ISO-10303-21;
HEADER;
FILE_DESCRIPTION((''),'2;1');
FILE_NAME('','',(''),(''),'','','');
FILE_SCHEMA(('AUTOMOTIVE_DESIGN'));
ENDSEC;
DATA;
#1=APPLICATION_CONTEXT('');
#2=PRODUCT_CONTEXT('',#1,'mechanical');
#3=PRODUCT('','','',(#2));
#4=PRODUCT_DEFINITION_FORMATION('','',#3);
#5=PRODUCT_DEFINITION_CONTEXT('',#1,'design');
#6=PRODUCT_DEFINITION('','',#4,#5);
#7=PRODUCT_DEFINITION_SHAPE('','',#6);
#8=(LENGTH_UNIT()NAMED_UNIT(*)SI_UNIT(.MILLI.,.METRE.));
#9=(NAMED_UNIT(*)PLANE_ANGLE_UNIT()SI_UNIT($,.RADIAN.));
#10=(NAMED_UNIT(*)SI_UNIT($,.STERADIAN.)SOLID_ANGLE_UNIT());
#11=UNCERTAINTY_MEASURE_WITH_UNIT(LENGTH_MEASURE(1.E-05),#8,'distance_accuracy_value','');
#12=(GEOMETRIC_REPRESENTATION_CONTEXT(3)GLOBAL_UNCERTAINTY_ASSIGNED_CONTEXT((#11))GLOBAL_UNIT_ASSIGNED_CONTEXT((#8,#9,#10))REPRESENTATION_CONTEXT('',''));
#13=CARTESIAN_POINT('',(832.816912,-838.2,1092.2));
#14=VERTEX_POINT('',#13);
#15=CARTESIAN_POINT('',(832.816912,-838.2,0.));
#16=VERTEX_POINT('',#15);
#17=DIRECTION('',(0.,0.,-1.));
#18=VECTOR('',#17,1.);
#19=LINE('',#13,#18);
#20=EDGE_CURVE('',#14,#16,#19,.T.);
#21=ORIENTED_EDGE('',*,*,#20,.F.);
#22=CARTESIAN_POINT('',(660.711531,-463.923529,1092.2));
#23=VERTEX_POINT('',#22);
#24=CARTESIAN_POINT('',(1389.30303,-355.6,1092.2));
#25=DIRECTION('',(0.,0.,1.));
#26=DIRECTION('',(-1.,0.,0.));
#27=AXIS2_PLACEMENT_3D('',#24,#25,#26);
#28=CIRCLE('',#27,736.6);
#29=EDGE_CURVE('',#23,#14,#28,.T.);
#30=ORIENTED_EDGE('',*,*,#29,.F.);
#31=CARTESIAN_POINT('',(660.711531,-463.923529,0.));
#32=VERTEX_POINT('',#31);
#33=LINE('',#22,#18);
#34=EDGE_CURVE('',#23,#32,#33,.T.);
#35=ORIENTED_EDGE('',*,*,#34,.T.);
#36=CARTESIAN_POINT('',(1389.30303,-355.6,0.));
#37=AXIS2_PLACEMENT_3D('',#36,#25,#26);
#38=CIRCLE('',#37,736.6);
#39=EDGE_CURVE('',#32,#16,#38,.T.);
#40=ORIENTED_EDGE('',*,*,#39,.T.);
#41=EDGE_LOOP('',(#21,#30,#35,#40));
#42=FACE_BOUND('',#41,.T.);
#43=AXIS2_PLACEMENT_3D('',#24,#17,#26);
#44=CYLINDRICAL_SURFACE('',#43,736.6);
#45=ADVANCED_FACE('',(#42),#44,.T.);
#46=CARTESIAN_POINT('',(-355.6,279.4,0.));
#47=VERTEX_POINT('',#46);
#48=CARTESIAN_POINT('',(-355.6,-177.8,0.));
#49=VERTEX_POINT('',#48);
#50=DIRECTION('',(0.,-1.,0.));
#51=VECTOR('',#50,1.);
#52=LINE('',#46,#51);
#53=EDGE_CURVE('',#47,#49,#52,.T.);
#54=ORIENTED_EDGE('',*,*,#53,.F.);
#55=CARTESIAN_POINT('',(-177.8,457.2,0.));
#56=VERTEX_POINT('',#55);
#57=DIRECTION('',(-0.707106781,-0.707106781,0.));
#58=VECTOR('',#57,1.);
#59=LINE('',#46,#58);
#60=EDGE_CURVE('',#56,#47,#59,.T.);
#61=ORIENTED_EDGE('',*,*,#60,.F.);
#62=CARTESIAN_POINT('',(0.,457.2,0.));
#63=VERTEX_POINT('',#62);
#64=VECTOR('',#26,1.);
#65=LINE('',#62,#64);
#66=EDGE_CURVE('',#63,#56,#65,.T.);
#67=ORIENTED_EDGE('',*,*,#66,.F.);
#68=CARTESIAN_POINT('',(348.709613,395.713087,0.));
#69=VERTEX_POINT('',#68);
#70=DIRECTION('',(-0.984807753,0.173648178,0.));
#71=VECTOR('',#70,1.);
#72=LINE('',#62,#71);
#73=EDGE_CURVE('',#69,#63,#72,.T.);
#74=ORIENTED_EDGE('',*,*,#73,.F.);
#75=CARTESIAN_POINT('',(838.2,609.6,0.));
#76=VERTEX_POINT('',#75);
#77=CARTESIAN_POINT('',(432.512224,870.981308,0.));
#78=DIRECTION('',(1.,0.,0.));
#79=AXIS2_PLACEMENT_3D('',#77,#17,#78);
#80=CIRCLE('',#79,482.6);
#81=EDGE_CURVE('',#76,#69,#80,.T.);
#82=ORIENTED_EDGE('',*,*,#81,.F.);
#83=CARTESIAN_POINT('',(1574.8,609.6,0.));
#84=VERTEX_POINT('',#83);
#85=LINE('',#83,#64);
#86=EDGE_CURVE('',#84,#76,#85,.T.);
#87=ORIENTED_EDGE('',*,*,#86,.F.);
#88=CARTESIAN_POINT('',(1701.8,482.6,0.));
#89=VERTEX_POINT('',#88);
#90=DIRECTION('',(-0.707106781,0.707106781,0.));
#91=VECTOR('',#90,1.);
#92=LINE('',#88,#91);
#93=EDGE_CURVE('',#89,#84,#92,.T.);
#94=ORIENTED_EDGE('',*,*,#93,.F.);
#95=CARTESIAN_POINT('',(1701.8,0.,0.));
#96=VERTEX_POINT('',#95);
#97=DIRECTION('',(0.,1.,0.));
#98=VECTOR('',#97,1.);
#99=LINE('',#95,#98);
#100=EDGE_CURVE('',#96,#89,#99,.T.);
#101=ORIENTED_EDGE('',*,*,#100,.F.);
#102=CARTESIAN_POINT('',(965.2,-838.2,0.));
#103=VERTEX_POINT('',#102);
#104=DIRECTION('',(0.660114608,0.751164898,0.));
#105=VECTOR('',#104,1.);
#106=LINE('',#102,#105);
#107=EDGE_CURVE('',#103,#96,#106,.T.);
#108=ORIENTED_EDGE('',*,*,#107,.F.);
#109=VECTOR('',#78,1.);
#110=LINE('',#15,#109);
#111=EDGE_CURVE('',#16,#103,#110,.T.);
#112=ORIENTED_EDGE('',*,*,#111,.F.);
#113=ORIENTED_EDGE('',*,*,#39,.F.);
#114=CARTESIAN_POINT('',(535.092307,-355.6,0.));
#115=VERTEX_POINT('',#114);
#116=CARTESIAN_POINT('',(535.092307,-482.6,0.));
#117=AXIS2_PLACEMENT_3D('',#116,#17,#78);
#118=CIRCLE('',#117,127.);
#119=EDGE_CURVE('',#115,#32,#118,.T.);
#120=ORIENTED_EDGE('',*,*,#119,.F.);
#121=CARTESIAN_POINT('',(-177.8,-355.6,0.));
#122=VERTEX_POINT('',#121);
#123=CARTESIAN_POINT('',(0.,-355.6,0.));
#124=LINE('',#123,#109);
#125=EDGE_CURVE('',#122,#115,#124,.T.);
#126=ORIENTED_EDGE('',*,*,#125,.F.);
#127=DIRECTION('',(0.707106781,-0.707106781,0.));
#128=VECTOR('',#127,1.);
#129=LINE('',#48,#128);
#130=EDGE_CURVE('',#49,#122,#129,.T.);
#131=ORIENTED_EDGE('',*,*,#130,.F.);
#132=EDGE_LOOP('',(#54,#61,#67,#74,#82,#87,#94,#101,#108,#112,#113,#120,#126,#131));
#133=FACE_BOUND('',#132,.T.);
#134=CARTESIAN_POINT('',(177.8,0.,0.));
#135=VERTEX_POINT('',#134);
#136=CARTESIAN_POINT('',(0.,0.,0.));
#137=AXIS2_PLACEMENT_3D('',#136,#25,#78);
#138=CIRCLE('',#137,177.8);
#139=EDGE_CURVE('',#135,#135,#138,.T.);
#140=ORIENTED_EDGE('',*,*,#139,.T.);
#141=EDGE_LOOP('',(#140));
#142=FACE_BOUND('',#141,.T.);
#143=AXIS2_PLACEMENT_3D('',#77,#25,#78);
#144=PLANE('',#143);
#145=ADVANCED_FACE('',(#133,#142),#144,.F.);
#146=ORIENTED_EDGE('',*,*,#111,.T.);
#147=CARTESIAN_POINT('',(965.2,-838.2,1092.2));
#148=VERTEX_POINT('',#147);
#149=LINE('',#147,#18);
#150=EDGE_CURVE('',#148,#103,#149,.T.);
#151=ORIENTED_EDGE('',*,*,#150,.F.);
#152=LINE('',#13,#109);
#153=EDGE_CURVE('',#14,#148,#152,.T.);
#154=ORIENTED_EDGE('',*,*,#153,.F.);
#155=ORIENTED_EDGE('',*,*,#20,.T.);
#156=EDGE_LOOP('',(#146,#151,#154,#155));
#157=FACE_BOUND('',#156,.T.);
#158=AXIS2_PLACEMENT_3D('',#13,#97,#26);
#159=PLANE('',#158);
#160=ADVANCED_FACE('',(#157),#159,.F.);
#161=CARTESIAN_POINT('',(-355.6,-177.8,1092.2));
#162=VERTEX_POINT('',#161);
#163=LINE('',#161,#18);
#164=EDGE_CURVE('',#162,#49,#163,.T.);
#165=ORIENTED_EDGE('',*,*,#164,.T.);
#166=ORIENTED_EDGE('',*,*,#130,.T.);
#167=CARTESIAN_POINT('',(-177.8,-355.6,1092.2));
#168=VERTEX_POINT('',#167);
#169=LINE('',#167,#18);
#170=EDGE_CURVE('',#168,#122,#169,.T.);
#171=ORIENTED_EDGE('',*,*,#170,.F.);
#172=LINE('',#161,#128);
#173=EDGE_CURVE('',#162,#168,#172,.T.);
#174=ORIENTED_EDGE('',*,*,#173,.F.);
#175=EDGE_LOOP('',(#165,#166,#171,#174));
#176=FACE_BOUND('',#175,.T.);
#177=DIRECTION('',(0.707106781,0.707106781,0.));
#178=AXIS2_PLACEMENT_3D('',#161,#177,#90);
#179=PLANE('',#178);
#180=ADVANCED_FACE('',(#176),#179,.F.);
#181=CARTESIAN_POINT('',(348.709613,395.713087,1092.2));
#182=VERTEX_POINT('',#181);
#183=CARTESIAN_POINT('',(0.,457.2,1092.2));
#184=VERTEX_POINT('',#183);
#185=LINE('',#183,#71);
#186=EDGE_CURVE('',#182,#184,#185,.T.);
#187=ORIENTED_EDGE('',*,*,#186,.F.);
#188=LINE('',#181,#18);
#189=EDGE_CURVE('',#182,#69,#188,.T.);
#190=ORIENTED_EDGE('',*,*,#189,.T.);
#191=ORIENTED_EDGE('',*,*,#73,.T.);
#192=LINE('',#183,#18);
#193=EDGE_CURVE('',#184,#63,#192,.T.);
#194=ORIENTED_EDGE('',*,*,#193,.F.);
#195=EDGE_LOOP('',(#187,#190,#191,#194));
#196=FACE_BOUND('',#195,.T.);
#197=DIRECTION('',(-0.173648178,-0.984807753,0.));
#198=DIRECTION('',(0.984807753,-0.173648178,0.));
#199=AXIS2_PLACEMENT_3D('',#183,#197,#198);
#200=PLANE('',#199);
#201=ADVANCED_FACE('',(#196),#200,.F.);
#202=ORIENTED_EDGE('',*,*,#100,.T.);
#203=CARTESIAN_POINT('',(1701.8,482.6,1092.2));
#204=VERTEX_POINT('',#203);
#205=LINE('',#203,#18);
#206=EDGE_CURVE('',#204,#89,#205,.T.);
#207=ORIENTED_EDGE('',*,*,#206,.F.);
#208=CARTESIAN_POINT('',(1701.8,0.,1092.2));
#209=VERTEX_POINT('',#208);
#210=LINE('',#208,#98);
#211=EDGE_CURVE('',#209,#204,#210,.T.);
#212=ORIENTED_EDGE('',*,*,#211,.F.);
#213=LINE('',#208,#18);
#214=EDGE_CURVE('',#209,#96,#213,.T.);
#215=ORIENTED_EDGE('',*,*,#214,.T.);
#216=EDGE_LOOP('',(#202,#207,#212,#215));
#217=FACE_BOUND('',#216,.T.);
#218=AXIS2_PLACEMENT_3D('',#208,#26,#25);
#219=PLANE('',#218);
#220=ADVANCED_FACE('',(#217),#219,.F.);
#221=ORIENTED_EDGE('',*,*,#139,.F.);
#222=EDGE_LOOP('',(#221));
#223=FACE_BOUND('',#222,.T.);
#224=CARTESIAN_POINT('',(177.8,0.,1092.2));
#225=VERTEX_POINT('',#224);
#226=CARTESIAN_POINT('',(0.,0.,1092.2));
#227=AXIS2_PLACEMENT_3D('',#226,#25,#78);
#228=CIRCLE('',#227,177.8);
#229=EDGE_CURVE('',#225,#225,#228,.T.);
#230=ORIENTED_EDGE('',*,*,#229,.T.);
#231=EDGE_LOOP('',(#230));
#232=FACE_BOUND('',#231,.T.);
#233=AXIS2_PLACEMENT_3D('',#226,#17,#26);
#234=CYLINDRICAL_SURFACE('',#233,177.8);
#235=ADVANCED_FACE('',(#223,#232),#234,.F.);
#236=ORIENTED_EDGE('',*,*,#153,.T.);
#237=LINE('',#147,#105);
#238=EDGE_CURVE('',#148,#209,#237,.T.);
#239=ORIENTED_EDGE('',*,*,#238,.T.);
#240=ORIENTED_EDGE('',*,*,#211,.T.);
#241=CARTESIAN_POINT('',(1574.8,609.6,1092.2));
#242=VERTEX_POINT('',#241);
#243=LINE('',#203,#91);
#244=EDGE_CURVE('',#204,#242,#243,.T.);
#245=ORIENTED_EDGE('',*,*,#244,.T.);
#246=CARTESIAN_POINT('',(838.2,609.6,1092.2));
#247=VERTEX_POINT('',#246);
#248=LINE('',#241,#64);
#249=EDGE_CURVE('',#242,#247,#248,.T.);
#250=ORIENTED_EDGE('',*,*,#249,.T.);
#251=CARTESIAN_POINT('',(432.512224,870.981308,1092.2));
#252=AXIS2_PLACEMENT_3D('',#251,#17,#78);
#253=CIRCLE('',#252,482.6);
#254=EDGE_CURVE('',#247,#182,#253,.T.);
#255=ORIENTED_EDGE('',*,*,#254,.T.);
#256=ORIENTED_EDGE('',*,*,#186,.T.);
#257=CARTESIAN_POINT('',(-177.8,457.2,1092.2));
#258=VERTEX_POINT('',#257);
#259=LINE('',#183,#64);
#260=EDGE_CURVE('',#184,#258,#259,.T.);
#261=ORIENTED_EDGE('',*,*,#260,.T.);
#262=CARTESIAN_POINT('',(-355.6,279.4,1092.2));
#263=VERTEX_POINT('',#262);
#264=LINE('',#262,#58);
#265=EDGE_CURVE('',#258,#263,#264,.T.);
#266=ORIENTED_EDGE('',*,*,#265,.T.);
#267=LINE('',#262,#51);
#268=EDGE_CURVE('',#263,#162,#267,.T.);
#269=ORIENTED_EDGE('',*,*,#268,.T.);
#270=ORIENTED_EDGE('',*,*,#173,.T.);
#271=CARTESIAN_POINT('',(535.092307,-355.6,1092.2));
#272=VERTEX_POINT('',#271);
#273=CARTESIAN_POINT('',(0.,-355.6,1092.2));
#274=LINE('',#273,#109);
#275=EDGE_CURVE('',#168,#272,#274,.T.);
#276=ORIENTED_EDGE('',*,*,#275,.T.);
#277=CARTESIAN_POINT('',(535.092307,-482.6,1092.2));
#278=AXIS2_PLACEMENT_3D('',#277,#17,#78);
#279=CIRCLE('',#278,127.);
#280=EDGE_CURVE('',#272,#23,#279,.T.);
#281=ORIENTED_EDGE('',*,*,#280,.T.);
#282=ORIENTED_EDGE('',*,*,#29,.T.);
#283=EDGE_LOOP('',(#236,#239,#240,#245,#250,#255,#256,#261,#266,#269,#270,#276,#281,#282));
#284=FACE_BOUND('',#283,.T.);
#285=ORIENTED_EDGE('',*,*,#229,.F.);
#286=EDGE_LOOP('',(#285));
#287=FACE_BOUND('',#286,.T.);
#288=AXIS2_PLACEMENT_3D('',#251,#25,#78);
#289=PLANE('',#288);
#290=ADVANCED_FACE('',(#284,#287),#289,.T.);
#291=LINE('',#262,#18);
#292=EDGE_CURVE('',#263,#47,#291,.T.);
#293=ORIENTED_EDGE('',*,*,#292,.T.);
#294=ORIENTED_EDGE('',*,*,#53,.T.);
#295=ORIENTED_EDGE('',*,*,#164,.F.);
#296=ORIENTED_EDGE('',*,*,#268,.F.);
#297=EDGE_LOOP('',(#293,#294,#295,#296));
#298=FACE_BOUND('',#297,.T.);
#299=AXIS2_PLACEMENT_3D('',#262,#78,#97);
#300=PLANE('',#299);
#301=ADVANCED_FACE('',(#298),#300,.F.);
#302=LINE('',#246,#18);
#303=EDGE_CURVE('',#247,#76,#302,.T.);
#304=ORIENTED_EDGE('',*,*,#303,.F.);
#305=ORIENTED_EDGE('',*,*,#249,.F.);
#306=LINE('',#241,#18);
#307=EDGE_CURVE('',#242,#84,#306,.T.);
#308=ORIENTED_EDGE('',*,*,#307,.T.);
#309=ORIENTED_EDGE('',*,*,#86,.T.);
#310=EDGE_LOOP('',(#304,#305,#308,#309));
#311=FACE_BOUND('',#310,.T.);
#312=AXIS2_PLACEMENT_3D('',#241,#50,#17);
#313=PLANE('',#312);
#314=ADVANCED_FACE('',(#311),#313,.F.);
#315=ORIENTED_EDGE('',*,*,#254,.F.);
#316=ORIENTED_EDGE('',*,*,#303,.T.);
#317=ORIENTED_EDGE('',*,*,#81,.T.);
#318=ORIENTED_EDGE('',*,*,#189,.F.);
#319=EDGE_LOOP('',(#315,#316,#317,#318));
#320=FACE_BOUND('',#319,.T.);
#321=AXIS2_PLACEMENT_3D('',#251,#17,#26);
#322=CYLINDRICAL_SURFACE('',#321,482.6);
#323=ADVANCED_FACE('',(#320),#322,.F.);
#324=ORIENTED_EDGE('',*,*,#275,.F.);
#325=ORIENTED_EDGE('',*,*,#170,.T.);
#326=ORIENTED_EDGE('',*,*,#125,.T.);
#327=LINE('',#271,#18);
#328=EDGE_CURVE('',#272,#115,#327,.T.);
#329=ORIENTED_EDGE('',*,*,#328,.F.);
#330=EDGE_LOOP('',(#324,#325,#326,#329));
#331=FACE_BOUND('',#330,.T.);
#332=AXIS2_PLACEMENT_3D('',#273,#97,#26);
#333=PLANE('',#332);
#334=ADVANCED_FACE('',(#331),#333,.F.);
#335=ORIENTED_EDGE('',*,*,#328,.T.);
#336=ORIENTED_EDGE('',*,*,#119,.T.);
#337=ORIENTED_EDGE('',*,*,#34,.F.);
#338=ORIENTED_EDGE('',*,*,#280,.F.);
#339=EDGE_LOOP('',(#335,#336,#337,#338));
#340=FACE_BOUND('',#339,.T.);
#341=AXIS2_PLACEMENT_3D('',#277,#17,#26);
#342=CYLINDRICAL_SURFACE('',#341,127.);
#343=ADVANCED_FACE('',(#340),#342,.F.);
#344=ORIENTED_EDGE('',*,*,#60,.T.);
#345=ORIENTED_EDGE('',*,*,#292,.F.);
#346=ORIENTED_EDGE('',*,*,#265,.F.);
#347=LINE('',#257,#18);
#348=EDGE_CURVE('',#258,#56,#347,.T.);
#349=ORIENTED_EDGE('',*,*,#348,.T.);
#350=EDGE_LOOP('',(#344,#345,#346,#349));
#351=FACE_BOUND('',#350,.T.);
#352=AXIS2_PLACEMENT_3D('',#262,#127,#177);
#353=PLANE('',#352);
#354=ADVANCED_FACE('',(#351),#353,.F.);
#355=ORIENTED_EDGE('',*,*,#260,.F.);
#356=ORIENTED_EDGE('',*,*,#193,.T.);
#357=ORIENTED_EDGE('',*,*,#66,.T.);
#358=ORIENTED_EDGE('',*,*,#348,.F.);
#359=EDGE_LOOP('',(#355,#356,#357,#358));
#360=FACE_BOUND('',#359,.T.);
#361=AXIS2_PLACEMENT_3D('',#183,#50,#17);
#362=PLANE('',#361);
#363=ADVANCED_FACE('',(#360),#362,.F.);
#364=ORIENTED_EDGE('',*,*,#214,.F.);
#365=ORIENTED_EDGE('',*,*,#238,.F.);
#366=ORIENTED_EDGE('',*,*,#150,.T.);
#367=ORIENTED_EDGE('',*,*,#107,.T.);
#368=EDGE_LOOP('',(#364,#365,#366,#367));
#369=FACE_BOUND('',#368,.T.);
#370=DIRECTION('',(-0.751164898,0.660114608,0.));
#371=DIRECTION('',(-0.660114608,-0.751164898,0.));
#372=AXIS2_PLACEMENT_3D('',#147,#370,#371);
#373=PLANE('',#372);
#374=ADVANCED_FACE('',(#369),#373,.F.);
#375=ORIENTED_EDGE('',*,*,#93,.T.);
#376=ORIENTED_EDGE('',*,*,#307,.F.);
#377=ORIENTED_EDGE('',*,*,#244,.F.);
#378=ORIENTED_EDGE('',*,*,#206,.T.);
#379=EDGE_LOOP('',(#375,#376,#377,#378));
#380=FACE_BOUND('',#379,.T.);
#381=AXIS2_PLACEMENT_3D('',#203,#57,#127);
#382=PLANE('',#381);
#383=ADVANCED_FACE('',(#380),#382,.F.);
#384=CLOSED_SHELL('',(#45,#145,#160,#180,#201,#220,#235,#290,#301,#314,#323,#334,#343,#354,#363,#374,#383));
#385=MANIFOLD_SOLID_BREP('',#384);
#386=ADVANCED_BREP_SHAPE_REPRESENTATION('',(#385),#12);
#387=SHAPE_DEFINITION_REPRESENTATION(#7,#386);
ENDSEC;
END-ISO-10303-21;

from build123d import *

# Parameters (mm, degrees)
SKETCH1_R           = 177.8
BOSS_EXTRUDE2_DEPTH = 1092.2


with BuildPart() as part:
    # Sketch1 → Boss-Extrude2 (new body)
    with BuildSketch(Plane.XY):
        with BuildLine():
            Line((-355.6, 279.4), (-355.6, -177.8))
            Line((-355.6, -177.8), (-177.8, -355.6))
            Line((-177.8, -355.6), (0, -355.6))
            Line((0, -355.6), (535.092306886, -355.6))
            ThreePointArc((535.092306886, -355.6), (618.029295725, -386.420709701), (660.711530918, -463.923529412))
            ThreePointArc((660.711530918, -463.923529412), (720.067018079, -663.338070349), (832.816911878, -838.2))
            Line((832.816911878, -838.2), (965.2, -838.2))
            Line((965.2, -838.2), (1701.8, 0))
            Line((1701.8, 0), (1701.8, 482.6))
            Line((1701.8, 482.6), (1574.8, 609.6))
            Line((1574.8, 609.6), (838.2, 609.6))
            ThreePointArc((838.2, 609.6), (625.746325122, 428.755865672), (348.709613385, 395.713086728))
            Line((348.709613385, 395.713086728), (0, 457.2))
            Line((0, 457.2), (-177.8, 457.2))
            Line((-177.8, 457.2), (-355.6, 279.4))
        make_face()
        Circle(SKETCH1_R, mode=Mode.SUBTRACT)
    extrude(amount=BOSS_EXTRUDE2_DEPTH)


solid = part.part
